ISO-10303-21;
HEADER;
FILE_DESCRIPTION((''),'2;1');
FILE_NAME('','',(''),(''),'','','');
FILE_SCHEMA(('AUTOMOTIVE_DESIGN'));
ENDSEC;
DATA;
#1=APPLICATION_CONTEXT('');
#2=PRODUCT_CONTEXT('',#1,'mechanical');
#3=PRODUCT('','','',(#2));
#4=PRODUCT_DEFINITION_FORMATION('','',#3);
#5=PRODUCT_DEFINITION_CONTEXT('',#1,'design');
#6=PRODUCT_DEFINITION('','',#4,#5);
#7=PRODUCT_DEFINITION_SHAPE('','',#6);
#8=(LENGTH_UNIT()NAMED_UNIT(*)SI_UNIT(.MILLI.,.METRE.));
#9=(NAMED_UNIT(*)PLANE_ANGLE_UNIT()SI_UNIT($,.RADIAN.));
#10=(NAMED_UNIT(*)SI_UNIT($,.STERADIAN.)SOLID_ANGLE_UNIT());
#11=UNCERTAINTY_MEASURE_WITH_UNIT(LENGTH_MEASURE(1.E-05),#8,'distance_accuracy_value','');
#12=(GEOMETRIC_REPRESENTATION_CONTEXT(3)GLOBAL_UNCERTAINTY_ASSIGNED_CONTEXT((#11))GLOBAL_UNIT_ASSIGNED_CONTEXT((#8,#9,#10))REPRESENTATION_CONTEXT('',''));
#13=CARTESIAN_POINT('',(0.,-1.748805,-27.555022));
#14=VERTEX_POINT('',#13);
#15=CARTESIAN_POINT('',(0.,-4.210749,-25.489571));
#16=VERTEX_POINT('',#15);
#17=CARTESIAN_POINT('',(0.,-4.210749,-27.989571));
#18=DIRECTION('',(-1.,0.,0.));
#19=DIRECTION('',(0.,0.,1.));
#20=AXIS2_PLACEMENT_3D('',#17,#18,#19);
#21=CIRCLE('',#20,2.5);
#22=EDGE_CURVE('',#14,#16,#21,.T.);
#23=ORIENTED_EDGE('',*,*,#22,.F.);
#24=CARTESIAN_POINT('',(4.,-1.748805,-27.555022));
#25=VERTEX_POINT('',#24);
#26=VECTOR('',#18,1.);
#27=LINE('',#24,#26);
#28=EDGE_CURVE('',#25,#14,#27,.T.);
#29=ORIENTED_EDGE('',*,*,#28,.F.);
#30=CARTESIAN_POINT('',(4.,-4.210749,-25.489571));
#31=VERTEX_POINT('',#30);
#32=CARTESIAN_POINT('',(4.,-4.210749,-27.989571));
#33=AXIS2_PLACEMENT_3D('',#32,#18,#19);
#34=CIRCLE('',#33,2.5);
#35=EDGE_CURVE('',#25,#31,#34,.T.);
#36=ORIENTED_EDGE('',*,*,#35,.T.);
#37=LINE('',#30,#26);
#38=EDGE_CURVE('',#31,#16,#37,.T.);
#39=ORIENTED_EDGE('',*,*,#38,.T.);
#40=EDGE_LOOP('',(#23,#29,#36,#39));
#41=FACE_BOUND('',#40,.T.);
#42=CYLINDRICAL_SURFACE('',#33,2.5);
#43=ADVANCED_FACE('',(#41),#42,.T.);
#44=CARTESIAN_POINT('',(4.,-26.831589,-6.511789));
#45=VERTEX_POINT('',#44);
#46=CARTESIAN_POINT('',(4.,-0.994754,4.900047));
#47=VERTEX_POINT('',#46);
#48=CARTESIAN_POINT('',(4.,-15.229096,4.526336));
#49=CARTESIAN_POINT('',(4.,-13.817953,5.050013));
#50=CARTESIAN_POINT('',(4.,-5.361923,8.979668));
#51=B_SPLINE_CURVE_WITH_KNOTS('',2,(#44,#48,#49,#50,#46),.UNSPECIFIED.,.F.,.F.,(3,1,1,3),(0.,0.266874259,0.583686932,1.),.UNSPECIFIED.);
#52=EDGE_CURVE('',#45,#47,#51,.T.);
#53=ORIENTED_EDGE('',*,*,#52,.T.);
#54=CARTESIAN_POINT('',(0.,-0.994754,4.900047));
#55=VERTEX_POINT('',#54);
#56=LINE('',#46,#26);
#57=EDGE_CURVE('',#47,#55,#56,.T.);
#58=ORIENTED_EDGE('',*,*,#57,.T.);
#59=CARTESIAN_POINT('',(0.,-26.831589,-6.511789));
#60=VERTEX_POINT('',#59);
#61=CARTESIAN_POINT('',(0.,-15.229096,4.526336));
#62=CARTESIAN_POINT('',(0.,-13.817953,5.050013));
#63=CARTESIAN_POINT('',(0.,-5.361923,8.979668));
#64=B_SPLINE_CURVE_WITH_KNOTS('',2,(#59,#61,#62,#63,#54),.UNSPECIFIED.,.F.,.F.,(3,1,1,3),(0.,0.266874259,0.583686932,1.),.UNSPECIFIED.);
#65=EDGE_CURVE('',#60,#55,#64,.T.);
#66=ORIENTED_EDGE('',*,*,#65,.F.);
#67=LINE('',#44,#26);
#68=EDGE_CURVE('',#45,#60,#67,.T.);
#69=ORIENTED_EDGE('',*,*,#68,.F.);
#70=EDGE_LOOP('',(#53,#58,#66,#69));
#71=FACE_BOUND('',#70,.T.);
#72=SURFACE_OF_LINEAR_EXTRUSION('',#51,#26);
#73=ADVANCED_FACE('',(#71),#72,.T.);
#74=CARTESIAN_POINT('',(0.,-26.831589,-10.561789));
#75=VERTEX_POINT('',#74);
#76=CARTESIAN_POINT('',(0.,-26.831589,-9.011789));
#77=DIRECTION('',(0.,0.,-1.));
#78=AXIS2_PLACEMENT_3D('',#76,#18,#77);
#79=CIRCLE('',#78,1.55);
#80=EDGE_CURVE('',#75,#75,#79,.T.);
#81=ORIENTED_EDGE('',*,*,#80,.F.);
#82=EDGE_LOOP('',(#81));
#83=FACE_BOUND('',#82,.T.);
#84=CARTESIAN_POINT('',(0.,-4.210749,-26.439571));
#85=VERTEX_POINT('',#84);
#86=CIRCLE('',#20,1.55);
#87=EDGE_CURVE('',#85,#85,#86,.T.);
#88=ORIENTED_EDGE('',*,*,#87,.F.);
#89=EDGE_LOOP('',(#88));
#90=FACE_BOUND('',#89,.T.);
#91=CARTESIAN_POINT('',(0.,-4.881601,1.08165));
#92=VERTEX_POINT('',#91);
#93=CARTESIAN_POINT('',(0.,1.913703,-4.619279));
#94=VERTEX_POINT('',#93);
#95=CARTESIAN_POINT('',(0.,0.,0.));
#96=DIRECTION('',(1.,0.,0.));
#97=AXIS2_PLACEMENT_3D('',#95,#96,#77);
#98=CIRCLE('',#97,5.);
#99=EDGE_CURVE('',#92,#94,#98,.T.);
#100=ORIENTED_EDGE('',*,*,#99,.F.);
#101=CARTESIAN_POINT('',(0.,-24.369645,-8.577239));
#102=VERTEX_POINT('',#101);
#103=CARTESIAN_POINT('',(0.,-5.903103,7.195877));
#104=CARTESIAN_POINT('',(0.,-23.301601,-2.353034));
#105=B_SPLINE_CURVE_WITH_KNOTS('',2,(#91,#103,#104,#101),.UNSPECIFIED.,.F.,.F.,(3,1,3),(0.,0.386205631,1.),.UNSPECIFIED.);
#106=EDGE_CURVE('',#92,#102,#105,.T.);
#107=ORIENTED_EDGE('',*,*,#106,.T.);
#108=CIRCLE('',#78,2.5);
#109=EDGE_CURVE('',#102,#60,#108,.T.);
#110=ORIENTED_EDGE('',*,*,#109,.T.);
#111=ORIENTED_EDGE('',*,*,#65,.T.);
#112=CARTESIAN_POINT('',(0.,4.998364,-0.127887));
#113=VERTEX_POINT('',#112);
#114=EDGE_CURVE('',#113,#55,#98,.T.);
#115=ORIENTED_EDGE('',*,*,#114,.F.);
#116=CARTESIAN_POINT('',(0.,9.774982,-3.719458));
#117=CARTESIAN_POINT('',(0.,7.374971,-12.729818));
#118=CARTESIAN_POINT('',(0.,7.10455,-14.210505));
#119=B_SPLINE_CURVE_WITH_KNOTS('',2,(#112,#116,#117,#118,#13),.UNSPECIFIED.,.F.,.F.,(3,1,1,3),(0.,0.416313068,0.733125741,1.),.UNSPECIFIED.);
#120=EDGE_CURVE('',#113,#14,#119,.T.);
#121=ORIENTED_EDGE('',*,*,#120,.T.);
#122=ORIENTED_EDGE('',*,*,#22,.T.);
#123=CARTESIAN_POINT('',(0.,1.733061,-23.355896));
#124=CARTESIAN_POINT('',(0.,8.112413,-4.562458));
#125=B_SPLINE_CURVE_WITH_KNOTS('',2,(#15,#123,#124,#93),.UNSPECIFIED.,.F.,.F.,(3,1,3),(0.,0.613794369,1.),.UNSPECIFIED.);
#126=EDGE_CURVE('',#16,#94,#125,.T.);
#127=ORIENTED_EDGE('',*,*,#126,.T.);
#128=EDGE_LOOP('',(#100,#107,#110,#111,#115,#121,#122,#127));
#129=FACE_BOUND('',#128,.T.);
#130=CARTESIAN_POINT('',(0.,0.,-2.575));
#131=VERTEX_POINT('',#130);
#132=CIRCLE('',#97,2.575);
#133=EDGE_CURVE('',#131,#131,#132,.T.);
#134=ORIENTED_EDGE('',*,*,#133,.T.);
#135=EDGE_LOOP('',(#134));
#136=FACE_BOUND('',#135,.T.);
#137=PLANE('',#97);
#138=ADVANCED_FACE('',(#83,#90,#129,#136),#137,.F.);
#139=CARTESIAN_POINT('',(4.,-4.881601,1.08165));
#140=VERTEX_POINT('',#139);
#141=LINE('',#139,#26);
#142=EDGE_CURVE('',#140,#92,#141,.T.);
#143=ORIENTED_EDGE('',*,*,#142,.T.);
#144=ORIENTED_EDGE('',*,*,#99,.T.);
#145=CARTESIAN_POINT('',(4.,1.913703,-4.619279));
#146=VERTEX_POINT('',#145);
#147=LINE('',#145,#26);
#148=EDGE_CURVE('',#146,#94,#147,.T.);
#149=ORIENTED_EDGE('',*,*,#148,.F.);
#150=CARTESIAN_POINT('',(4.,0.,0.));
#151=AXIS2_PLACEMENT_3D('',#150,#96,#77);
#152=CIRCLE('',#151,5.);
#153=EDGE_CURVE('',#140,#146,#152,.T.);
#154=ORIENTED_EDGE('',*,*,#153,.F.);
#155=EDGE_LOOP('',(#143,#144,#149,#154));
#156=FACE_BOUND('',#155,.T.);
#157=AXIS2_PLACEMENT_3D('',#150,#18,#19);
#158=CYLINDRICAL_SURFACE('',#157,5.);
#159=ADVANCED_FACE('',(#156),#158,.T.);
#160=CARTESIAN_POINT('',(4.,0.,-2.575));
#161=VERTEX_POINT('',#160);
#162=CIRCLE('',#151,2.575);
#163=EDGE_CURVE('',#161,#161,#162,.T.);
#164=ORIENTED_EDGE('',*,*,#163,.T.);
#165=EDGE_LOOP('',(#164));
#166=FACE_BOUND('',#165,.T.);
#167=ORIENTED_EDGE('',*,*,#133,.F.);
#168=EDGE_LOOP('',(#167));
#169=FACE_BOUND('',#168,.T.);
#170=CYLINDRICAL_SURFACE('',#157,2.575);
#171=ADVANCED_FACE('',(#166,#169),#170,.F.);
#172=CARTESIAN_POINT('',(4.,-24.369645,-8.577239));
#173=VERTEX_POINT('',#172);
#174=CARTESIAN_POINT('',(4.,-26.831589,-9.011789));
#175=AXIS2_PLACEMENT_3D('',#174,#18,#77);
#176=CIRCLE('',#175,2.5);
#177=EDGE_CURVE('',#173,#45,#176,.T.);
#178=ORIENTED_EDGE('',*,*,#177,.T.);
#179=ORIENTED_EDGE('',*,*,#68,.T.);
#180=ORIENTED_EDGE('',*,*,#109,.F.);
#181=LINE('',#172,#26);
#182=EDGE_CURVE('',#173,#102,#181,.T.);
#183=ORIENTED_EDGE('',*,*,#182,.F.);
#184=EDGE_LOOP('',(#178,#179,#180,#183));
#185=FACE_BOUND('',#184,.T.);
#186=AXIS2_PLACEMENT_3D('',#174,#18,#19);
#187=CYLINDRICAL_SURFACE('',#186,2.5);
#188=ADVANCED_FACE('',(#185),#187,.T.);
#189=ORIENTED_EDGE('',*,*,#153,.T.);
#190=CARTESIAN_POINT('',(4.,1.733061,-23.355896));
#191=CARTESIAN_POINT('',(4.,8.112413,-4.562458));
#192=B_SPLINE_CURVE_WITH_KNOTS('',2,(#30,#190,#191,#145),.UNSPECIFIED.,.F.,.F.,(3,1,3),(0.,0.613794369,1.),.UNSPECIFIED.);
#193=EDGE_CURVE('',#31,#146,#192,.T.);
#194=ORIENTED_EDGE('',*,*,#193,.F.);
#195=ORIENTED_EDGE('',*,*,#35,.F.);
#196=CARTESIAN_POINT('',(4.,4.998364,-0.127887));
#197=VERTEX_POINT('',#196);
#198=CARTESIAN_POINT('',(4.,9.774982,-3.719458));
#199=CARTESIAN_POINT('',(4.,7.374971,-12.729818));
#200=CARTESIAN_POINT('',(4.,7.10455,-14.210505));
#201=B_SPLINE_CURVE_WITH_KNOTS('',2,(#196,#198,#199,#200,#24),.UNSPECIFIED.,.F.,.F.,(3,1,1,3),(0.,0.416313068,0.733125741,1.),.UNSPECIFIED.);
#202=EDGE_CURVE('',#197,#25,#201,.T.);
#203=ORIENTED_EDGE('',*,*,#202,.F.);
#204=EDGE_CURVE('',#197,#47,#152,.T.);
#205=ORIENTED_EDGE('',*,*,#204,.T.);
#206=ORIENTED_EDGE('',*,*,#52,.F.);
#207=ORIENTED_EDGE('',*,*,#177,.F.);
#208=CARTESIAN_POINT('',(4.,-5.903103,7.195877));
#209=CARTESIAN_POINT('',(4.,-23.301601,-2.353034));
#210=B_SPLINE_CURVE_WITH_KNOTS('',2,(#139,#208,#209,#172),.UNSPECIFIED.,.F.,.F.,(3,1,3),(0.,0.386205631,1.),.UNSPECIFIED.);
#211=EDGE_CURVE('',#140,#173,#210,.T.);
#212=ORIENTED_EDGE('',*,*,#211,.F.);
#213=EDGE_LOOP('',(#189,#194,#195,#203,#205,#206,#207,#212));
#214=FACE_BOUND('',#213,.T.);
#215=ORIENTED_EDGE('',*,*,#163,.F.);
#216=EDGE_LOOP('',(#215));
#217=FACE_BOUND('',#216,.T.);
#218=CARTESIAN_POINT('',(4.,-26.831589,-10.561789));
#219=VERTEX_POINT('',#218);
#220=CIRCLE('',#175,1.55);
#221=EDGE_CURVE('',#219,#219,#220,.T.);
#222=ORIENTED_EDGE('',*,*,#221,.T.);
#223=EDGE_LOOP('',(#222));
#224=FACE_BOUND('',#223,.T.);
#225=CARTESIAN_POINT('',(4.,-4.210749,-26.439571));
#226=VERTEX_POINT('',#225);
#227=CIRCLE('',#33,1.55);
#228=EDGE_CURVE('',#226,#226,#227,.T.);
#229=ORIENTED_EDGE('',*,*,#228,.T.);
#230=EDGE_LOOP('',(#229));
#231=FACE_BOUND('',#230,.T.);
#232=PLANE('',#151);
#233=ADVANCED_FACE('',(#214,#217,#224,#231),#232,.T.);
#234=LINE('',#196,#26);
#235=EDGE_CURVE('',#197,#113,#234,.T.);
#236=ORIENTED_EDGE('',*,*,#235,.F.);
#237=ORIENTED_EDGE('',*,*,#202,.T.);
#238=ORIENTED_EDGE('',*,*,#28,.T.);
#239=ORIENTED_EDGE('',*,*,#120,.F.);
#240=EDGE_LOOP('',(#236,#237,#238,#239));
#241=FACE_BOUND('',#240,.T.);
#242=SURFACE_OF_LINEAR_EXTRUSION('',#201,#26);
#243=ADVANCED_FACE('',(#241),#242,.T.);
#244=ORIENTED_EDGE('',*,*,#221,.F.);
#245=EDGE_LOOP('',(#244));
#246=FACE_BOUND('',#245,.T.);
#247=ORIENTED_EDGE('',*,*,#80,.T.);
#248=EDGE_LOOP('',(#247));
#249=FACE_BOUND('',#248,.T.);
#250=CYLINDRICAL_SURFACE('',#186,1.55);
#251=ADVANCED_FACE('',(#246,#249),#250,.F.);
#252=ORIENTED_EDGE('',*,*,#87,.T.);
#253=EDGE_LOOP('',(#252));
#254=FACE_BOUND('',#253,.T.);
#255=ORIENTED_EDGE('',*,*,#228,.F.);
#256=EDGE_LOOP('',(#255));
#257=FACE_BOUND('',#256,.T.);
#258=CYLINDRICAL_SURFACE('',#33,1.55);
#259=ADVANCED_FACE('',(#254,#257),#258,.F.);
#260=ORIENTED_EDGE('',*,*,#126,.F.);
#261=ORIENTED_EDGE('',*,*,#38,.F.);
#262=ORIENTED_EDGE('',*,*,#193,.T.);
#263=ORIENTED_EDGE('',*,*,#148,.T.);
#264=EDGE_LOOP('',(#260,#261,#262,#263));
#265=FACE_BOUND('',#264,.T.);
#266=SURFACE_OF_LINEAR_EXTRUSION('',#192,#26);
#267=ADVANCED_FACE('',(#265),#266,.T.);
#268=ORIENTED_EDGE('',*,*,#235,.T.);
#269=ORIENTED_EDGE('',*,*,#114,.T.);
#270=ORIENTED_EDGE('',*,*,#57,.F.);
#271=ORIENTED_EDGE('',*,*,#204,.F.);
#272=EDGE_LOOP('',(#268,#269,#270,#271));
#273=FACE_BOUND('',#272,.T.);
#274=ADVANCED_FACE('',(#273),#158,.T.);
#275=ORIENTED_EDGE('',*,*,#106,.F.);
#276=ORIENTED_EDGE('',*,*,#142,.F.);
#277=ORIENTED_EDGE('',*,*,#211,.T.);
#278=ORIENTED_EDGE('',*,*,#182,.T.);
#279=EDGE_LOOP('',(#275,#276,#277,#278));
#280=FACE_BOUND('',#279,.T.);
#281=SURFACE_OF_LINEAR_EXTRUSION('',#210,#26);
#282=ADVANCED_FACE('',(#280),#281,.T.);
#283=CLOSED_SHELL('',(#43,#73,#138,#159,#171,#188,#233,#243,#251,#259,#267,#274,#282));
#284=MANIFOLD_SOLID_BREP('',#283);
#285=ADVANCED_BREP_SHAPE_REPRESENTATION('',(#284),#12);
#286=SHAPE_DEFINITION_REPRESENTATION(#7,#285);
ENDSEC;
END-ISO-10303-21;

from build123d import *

# Parameters (mm, degrees)
SKETCH_1_R      = 5
SKETCH_1_R_2    = 2.575
EXTRUDE_1_DEPTH = 4
SKETCH_2_R      = 1.55
EXTRUDE_2_DEPTH = 4


with BuildPart() as part:
    # 草图1 → 凸台-拉伸1 (new body)
    with BuildSketch(Plane(origin=(0, 0, 0), x_dir=(0, 0, -1), z_dir=(1, 0, 0))):
        Circle(SKETCH_1_R)
        Circle(SKETCH_1_R_2, mode=Mode.SUBTRACT)
    extrude(amount=EXTRUDE_1_DEPTH)

    # 草图2 → 凸台-拉伸2 (add)
    # profile 1 of 2: a face of its own
    with BuildSketch(Plane.ZY):
        with BuildLine():
            Line((-0.127886673, 4.998364232), (-4.649231706, 1.839740347))
            ThreePointArc((-4.649231706, 1.839740347), (-4.634403006, 1.876781494), (-4.619279199, 1.913703132))
            add(Edge.make_bspline(
                [(-4.619279199, 1.913703132), (-4.562458027, 8.112413093), (-23.35589572, 1.733060959), (-25.489571125, -4.210748876)],
                knots=[0, 0, 0, 0.386205631, 1, 1, 1], degree=2))
            ThreePointArc((-25.489571125, -4.210748876), (-29.904822139, -5.817551153), (-27.55502197, -1.748805125))
            add(Edge.make_bspline(
                [(-0.127886673, 4.998364232), (-3.719458123, 9.77498219), (-12.729817731, 7.374971215), (-14.210505255, 7.104549869), (-27.55502197, -1.748805125)],
                knots=[0, 0, 0, 0.416313068, 0.733125741, 1, 1, 1], degree=2))
        make_face()
        with Locations((-27.989571125, -4.210748876)):
            Circle(SKETCH_2_R, mode=Mode.SUBTRACT)
    # profile 2 of 2: a face of its own
    with BuildSketch(Plane.ZY):
        with BuildLine():
            Line((4.900047416, -0.9947539), (1.003607016, -4.898241823))
            ThreePointArc((1.003607016, -4.898241823), (1.042661824, -4.890077333), (1.081650238, -4.881601455))
            add(Edge.make_bspline(
                [(1.081650238, -4.881601455), (7.195876975, -5.903102913), (-2.353034462, -23.301600674), (-8.577239391, -24.36964519)],
                knots=[0, 0, 0, 0.386205631, 1, 1, 1], degree=2))
            ThreePointArc((-8.577239391, -24.36964519), (-10.927039559, -28.438391217), (-6.511788546, -26.831588941))
            add(Edge.make_bspline(
                [(4.900047416, -0.9947539), (8.979667573, -5.361922773), (5.050013102, -13.817953089), (4.52633564, -15.229096301), (-6.511788546, -26.831588941)],
                knots=[0, 0, 0, 0.416313068, 0.733125741, 1, 1, 1], degree=2))
        make_face()
        with Locations(Location((-9.011788546, -26.831588941, 0), (0, 0, 180))):
            Circle(SKETCH_2_R, mode=Mode.SUBTRACT)
    extrude(amount=-EXTRUDE_2_DEPTH)


solid = part.part
